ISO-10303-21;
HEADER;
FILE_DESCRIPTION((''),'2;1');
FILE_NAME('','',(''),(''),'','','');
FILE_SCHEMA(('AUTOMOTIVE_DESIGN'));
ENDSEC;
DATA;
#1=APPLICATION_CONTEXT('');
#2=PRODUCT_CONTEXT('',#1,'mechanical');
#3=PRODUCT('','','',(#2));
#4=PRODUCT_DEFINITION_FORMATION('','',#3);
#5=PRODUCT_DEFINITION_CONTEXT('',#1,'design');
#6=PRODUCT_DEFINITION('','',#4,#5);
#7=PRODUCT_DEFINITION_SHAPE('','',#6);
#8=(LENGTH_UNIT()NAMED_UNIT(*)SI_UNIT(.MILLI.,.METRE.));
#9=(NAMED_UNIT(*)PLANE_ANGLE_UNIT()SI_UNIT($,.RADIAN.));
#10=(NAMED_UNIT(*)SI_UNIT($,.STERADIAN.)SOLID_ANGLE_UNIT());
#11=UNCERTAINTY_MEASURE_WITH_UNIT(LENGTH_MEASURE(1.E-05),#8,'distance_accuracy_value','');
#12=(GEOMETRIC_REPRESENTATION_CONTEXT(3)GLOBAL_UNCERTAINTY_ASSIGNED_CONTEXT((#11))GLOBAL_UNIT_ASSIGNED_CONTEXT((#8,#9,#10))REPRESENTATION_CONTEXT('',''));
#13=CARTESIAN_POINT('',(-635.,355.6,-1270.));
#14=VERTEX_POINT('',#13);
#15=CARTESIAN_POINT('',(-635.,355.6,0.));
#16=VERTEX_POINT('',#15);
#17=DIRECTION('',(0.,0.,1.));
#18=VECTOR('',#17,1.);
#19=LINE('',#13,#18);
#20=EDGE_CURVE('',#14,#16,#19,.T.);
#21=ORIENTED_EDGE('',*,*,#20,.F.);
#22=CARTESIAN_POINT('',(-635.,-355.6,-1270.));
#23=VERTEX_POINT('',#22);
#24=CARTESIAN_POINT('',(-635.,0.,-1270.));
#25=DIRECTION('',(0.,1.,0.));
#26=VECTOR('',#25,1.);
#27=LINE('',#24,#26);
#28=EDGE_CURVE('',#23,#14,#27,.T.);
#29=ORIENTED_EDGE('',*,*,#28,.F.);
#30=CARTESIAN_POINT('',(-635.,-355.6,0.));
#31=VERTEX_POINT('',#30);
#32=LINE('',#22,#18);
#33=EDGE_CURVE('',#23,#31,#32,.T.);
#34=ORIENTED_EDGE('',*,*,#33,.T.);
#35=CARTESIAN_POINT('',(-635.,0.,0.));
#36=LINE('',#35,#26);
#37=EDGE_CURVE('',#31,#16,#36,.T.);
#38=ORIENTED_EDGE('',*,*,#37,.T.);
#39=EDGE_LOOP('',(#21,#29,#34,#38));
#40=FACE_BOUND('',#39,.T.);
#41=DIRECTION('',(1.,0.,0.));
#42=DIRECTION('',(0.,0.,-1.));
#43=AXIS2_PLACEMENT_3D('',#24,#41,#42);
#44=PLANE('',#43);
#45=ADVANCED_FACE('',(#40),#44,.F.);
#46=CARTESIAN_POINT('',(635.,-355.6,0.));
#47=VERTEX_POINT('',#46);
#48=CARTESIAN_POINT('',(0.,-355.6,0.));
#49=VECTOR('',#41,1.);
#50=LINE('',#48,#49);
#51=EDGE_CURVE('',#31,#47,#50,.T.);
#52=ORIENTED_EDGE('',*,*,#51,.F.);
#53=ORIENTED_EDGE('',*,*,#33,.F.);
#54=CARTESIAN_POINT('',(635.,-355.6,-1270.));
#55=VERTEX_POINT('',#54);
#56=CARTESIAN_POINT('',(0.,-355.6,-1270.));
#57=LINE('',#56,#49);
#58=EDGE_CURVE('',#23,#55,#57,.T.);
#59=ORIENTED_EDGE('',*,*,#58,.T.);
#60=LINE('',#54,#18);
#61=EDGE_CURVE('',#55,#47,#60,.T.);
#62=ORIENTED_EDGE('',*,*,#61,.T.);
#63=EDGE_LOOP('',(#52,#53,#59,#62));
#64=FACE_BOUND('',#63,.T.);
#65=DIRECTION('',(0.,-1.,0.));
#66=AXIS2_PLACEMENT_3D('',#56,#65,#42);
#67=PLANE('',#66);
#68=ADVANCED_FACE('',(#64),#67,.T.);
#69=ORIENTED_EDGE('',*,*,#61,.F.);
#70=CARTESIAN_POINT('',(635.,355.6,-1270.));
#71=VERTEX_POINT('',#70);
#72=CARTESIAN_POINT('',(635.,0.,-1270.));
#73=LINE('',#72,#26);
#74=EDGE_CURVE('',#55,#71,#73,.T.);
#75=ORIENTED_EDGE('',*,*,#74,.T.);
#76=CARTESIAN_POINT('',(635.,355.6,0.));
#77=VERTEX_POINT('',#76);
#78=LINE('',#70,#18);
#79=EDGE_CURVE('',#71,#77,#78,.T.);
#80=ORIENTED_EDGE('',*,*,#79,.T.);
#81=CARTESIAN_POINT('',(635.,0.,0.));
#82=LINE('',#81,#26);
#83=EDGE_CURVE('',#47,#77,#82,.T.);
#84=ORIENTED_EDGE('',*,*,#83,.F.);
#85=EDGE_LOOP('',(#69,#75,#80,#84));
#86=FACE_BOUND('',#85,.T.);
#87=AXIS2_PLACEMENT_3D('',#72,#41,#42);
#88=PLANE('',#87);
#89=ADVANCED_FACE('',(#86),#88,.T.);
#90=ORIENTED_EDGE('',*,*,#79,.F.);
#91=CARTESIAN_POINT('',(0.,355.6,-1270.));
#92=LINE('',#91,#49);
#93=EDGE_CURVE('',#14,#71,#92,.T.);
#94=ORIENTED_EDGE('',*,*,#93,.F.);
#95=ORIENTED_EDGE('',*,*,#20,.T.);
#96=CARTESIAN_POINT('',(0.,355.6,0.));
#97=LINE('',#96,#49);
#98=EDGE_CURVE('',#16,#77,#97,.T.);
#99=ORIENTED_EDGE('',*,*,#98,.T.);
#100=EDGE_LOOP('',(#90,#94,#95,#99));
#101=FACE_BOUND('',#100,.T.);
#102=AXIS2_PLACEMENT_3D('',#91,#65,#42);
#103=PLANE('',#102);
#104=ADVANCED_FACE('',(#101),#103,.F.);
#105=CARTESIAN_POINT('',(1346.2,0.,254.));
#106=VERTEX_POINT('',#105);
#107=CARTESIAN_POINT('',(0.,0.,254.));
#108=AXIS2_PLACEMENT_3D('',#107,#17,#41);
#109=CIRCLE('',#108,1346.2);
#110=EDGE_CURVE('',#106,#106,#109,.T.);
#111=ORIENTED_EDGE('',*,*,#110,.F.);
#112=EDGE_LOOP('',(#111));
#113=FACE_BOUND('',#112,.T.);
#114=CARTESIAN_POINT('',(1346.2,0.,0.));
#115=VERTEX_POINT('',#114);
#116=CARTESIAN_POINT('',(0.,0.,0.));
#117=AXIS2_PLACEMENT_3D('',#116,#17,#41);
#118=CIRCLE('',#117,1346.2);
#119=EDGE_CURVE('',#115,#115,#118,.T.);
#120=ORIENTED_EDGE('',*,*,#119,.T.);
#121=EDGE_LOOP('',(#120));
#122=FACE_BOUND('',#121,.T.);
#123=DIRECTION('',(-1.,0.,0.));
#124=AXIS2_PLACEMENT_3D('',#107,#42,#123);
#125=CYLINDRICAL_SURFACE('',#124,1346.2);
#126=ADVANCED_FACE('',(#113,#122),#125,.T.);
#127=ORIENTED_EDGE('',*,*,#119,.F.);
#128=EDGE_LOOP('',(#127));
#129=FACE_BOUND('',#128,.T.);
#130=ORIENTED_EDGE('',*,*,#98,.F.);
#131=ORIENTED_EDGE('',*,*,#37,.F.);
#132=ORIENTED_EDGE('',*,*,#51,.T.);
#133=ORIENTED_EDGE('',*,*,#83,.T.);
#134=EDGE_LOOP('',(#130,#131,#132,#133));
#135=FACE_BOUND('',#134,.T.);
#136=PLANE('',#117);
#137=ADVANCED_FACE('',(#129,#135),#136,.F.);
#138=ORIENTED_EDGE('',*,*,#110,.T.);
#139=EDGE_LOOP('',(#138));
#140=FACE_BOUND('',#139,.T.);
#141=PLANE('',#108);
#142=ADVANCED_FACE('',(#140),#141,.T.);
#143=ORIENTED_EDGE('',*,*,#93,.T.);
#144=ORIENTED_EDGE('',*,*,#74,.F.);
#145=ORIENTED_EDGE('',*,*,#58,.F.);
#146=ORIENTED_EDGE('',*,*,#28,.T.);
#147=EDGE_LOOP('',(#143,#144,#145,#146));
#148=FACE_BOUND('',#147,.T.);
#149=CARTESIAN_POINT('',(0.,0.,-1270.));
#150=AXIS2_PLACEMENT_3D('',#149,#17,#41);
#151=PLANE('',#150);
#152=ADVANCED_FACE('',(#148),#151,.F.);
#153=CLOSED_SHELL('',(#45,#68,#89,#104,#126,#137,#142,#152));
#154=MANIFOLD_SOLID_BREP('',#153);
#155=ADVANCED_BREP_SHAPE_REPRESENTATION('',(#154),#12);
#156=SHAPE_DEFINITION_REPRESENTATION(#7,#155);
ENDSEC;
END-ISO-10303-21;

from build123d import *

# Parameters (mm, degrees)
SKETCH1_R           = 1346.2
BOSS_EXTRUDE3_DEPTH = 254
SKETCH2_W           = 1270
SKETCH2_H           = 711.2
BOSS_EXTRUDE6_DEPTH = 1270


with BuildPart() as part:
    # Sketch1 → Boss-Extrude3 (new body)
    with BuildSketch(Plane.XY):
        Circle(SKETCH1_R)
    extrude(amount=BOSS_EXTRUDE3_DEPTH)

    # Sketch2 → Boss-Extrude6 (add)
    with BuildSketch(Plane.XY):
        Rectangle(SKETCH2_W, SKETCH2_H)
    extrude(amount=-BOSS_EXTRUDE6_DEPTH)


solid = part.part
